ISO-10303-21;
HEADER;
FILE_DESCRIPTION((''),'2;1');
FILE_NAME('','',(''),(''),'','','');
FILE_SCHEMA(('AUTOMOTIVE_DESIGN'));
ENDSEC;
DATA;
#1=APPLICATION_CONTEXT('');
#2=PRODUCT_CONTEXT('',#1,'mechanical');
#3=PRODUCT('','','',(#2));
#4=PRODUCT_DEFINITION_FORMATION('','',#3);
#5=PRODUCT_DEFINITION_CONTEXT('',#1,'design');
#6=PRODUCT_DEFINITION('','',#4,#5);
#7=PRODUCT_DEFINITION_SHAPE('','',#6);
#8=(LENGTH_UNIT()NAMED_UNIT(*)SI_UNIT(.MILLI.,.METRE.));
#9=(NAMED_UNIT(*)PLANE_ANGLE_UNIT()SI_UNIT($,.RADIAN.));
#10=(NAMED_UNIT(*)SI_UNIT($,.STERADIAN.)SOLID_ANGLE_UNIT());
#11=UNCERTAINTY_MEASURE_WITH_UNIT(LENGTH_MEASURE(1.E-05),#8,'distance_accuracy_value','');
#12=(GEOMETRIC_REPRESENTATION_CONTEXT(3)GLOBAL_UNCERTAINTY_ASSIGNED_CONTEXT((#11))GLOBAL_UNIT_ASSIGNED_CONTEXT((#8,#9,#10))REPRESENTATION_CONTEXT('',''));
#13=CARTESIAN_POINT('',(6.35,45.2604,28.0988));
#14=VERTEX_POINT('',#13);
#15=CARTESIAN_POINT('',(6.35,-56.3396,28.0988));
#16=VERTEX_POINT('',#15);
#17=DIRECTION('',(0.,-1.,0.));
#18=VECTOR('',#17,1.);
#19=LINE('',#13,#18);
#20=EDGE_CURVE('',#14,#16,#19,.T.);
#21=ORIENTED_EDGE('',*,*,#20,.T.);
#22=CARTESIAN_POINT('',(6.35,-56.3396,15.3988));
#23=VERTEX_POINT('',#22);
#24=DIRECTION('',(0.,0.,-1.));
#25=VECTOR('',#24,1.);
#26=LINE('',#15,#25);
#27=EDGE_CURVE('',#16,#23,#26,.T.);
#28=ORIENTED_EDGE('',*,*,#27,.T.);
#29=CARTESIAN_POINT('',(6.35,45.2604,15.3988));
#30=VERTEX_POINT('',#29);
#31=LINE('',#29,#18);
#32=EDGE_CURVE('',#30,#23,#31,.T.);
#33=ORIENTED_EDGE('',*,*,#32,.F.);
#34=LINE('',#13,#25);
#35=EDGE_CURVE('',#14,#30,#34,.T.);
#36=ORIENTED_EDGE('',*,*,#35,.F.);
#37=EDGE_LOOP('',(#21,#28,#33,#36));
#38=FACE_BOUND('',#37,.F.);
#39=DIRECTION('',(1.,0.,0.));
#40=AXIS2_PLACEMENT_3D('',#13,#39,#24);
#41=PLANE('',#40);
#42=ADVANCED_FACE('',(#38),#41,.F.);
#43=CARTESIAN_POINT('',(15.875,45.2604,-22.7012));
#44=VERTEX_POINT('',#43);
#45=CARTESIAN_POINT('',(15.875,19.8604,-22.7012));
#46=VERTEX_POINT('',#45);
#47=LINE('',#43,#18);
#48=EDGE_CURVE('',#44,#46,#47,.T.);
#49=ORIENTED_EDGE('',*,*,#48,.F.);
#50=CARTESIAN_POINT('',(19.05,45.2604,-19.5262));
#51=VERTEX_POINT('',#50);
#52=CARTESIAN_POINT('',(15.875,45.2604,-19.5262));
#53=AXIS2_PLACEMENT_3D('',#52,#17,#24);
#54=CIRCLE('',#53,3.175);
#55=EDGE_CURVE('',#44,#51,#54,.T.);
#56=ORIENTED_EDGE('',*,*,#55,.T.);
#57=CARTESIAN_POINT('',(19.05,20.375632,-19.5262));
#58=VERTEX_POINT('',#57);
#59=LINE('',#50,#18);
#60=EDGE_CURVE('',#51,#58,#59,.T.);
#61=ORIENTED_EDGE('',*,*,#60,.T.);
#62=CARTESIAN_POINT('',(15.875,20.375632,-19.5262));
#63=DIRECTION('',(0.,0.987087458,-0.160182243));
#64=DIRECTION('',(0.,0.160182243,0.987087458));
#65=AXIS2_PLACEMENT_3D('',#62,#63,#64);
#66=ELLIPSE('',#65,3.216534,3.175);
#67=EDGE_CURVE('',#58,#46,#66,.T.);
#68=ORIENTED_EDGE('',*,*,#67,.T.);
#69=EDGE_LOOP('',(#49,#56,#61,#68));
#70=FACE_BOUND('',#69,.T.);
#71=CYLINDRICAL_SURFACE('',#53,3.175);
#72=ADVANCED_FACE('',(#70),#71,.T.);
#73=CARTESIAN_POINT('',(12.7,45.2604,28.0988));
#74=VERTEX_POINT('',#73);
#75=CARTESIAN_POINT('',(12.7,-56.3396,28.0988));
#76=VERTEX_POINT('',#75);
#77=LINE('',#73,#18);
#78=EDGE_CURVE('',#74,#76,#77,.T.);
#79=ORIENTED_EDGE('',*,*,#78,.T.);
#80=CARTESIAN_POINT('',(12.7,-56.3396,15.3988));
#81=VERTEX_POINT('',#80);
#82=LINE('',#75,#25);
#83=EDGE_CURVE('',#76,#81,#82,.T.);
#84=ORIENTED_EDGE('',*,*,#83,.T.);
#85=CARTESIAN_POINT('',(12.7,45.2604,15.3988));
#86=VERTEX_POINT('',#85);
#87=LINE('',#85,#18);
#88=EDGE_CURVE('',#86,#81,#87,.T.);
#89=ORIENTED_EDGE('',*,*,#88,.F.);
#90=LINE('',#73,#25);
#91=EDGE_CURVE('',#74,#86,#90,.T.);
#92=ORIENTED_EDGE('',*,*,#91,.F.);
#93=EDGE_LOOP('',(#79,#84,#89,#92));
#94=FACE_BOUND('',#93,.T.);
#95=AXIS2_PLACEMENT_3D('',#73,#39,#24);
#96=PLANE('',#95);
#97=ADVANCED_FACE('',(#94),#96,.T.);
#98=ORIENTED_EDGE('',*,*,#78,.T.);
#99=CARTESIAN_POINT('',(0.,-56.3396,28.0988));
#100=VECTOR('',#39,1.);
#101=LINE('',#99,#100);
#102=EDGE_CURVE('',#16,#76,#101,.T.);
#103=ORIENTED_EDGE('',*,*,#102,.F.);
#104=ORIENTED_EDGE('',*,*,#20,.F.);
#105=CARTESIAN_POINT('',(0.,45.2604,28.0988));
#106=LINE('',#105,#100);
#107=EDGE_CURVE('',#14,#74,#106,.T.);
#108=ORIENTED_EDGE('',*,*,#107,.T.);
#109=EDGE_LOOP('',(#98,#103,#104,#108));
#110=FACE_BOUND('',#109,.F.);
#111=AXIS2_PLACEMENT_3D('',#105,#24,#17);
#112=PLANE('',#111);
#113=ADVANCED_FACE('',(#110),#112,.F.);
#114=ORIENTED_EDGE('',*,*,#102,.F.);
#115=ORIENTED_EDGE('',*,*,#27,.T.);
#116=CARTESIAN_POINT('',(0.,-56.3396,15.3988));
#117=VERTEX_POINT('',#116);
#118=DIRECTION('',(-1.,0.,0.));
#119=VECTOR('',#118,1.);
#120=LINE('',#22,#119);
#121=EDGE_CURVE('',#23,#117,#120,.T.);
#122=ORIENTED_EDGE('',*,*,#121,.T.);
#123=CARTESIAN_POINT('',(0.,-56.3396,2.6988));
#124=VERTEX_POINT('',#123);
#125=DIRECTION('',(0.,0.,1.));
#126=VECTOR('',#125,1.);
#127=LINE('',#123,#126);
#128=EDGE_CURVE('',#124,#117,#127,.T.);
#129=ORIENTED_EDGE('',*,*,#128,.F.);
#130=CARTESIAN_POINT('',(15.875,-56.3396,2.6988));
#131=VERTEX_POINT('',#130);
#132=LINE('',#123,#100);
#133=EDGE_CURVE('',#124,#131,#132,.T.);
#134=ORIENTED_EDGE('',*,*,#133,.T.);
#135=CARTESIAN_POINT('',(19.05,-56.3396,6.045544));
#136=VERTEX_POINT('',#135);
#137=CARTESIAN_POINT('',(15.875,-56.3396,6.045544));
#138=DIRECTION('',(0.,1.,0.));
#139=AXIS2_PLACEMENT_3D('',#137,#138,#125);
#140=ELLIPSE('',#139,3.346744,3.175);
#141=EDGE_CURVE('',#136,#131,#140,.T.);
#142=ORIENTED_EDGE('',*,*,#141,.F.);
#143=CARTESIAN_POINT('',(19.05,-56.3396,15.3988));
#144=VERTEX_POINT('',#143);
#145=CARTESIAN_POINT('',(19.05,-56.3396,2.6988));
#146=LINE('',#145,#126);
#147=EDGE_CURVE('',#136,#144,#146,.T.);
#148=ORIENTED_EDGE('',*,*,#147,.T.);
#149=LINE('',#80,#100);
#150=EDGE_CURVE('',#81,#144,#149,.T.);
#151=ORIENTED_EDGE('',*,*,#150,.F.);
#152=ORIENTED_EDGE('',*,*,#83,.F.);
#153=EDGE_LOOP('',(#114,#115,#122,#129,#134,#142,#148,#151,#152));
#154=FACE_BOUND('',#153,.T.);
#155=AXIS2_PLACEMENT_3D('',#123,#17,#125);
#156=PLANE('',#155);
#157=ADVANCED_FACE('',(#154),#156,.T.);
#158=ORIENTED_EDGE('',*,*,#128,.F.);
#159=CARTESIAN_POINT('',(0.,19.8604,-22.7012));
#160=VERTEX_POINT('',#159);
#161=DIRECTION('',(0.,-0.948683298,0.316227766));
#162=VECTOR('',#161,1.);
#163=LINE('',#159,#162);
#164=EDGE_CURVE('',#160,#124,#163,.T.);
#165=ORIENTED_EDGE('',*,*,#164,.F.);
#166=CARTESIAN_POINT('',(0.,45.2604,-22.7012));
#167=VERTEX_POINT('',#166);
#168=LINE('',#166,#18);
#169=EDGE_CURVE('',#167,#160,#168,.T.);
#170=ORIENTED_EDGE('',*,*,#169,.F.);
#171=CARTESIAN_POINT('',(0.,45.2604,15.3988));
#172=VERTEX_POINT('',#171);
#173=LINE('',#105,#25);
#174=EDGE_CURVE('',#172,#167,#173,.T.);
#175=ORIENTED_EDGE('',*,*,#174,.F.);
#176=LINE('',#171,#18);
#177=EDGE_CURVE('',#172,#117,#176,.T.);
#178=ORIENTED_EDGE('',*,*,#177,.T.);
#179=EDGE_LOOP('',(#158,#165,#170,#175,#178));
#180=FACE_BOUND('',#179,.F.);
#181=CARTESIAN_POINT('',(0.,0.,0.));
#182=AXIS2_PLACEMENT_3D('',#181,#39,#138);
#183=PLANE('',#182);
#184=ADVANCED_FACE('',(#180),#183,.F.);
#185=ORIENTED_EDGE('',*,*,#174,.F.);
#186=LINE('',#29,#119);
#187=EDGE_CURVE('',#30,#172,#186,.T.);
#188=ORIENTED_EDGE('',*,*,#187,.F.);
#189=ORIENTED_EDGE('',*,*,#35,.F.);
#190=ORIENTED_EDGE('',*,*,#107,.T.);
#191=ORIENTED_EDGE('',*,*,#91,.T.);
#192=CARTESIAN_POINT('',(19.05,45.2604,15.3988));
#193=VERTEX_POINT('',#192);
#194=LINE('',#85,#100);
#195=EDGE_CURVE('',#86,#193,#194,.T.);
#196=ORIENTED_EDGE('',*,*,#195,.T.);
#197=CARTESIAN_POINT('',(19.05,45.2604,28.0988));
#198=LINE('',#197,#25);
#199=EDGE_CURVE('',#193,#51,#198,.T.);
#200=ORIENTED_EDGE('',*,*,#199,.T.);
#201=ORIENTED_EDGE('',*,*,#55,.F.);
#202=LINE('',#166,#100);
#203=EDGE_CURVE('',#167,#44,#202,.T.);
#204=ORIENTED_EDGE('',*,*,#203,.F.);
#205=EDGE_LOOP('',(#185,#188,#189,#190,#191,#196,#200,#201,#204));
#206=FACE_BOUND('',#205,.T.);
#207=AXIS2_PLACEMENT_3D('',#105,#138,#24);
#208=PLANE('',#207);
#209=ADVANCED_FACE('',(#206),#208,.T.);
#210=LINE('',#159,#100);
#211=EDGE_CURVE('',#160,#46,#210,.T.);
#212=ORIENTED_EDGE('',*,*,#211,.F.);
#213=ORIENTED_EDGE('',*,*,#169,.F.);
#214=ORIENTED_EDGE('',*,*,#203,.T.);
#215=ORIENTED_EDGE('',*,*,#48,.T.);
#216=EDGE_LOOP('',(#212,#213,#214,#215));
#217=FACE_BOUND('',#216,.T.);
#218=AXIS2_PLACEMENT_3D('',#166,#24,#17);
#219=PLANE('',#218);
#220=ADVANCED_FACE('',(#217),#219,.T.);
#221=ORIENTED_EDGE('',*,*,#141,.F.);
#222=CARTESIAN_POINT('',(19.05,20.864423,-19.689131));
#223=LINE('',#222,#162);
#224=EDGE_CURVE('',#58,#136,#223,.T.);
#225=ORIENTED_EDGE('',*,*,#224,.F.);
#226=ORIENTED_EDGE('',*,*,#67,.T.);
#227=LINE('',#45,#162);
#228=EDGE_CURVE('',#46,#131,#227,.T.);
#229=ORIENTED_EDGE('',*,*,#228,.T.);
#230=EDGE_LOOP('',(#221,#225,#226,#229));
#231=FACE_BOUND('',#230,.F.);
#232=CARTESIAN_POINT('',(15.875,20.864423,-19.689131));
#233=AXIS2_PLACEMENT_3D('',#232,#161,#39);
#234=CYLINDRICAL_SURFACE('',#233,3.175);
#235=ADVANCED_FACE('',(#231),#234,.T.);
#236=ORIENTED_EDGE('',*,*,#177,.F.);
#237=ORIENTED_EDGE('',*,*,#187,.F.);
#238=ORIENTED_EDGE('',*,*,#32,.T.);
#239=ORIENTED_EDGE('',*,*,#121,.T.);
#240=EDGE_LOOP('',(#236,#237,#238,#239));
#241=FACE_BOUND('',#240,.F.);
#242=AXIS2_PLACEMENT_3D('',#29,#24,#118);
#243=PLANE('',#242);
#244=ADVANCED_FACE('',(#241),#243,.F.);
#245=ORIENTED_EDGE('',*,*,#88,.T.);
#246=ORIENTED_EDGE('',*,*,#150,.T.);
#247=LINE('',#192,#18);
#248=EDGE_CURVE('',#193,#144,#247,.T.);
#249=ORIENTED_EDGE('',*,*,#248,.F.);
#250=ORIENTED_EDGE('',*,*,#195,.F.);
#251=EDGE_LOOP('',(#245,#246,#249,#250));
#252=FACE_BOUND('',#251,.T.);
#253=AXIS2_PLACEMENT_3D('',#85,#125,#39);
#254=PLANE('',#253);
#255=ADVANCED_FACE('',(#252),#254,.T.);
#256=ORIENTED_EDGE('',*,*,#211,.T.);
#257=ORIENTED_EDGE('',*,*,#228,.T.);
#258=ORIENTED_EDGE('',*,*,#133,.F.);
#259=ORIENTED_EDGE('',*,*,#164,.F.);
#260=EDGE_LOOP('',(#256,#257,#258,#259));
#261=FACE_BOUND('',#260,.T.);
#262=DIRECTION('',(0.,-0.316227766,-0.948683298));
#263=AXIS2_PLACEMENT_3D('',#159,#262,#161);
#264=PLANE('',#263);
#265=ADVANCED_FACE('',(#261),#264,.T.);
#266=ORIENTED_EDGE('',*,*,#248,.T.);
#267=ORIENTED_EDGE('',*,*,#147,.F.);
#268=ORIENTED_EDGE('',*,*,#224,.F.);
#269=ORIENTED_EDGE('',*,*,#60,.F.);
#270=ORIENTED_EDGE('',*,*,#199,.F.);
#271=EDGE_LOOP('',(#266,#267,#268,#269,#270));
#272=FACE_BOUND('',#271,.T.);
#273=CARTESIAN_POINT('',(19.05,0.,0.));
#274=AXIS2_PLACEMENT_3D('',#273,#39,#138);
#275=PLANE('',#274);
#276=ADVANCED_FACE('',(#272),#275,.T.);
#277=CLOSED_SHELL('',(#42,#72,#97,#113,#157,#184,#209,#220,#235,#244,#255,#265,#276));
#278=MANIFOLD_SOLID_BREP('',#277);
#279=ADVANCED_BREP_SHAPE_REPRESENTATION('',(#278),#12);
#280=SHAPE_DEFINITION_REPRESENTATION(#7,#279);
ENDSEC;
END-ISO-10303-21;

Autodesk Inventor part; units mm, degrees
ref_plane "YZ Plane" through (0, 0, 0) normal (1, 0, 0) x (0, 1, 0)
ref_plane "XZ Plane" through (0, 0, 0) normal (0, 1, 0) x (-1, 0, 0)
ref_plane "XY Plane" through (0, 0, 0) normal (0, 0, 1) x (1, 0, 0)
sketch "Sketch1" plane through (0, 0, 0) normal (1, 0, 0) x (0, 1, 0)
  line L0 (45.2604, 28.0988) -> (45.2604, -22.7012)
  line L1 (45.2604, -22.7012) -> (19.8604, -22.7012)
  line L2 (19.8604, -22.7012) -> (-56.3396, 2.6988)
  line L3 (-56.3396, 2.6988) -> (-56.3396, 28.0988)
  line L4 (45.2604, 28.0988) -> (-56.3396, 28.0988)
  point P0 (0, 0)
  dimension "d0" = 50.8
  dimension "d1" = 25.4
  dimension "d2" = 76.2
  dimension "d3" = 25.4
extrude "Extrusion1" add sketch "Sketch1" along normal blind 19.05
sketch "Sketch2" plane through (0, 45.2604, 28.0988) normal (0, 1, 0) x (1, 0, 0)
  line L0 (19.05, 50.8) -> (19.05, 0) projected
  line L1 (19.05, 0) -> (12.7, 0)
  line L2 (12.7, 0) -> (12.7, 12.7)
  line L3 (12.7, 12.7) -> (19.05, 12.7)
  line L4 (19.05, 12.7) -> (19.05, 0)
  line L5 (0, 0) -> (19.05, 0) projected
  line L6 (0, 0) -> (6.35, 0)
  line L7 (6.35, 0) -> (6.35, 12.7)
  line L8 (6.35, 12.7) -> (0, 12.7)
  line L9 (0, 12.7) -> (0, 0)
  point P0 (0, 28.0988)
  dimension "d6" = 6.35
  dimension "d7" = 12.7
  dimension "d8" = 6.35
extrude "Extrusion2" cut sketch "Sketch2" against normal blind 101.6
fillet "Fillet1" radius 3.175 2 edges at (19.05, -18.2396, -10.0012) (19.05, 32.5604, -22.7012)
equation "\"d9\" = d3 + d2"
properties part number "Right Leg, Side Partt"
